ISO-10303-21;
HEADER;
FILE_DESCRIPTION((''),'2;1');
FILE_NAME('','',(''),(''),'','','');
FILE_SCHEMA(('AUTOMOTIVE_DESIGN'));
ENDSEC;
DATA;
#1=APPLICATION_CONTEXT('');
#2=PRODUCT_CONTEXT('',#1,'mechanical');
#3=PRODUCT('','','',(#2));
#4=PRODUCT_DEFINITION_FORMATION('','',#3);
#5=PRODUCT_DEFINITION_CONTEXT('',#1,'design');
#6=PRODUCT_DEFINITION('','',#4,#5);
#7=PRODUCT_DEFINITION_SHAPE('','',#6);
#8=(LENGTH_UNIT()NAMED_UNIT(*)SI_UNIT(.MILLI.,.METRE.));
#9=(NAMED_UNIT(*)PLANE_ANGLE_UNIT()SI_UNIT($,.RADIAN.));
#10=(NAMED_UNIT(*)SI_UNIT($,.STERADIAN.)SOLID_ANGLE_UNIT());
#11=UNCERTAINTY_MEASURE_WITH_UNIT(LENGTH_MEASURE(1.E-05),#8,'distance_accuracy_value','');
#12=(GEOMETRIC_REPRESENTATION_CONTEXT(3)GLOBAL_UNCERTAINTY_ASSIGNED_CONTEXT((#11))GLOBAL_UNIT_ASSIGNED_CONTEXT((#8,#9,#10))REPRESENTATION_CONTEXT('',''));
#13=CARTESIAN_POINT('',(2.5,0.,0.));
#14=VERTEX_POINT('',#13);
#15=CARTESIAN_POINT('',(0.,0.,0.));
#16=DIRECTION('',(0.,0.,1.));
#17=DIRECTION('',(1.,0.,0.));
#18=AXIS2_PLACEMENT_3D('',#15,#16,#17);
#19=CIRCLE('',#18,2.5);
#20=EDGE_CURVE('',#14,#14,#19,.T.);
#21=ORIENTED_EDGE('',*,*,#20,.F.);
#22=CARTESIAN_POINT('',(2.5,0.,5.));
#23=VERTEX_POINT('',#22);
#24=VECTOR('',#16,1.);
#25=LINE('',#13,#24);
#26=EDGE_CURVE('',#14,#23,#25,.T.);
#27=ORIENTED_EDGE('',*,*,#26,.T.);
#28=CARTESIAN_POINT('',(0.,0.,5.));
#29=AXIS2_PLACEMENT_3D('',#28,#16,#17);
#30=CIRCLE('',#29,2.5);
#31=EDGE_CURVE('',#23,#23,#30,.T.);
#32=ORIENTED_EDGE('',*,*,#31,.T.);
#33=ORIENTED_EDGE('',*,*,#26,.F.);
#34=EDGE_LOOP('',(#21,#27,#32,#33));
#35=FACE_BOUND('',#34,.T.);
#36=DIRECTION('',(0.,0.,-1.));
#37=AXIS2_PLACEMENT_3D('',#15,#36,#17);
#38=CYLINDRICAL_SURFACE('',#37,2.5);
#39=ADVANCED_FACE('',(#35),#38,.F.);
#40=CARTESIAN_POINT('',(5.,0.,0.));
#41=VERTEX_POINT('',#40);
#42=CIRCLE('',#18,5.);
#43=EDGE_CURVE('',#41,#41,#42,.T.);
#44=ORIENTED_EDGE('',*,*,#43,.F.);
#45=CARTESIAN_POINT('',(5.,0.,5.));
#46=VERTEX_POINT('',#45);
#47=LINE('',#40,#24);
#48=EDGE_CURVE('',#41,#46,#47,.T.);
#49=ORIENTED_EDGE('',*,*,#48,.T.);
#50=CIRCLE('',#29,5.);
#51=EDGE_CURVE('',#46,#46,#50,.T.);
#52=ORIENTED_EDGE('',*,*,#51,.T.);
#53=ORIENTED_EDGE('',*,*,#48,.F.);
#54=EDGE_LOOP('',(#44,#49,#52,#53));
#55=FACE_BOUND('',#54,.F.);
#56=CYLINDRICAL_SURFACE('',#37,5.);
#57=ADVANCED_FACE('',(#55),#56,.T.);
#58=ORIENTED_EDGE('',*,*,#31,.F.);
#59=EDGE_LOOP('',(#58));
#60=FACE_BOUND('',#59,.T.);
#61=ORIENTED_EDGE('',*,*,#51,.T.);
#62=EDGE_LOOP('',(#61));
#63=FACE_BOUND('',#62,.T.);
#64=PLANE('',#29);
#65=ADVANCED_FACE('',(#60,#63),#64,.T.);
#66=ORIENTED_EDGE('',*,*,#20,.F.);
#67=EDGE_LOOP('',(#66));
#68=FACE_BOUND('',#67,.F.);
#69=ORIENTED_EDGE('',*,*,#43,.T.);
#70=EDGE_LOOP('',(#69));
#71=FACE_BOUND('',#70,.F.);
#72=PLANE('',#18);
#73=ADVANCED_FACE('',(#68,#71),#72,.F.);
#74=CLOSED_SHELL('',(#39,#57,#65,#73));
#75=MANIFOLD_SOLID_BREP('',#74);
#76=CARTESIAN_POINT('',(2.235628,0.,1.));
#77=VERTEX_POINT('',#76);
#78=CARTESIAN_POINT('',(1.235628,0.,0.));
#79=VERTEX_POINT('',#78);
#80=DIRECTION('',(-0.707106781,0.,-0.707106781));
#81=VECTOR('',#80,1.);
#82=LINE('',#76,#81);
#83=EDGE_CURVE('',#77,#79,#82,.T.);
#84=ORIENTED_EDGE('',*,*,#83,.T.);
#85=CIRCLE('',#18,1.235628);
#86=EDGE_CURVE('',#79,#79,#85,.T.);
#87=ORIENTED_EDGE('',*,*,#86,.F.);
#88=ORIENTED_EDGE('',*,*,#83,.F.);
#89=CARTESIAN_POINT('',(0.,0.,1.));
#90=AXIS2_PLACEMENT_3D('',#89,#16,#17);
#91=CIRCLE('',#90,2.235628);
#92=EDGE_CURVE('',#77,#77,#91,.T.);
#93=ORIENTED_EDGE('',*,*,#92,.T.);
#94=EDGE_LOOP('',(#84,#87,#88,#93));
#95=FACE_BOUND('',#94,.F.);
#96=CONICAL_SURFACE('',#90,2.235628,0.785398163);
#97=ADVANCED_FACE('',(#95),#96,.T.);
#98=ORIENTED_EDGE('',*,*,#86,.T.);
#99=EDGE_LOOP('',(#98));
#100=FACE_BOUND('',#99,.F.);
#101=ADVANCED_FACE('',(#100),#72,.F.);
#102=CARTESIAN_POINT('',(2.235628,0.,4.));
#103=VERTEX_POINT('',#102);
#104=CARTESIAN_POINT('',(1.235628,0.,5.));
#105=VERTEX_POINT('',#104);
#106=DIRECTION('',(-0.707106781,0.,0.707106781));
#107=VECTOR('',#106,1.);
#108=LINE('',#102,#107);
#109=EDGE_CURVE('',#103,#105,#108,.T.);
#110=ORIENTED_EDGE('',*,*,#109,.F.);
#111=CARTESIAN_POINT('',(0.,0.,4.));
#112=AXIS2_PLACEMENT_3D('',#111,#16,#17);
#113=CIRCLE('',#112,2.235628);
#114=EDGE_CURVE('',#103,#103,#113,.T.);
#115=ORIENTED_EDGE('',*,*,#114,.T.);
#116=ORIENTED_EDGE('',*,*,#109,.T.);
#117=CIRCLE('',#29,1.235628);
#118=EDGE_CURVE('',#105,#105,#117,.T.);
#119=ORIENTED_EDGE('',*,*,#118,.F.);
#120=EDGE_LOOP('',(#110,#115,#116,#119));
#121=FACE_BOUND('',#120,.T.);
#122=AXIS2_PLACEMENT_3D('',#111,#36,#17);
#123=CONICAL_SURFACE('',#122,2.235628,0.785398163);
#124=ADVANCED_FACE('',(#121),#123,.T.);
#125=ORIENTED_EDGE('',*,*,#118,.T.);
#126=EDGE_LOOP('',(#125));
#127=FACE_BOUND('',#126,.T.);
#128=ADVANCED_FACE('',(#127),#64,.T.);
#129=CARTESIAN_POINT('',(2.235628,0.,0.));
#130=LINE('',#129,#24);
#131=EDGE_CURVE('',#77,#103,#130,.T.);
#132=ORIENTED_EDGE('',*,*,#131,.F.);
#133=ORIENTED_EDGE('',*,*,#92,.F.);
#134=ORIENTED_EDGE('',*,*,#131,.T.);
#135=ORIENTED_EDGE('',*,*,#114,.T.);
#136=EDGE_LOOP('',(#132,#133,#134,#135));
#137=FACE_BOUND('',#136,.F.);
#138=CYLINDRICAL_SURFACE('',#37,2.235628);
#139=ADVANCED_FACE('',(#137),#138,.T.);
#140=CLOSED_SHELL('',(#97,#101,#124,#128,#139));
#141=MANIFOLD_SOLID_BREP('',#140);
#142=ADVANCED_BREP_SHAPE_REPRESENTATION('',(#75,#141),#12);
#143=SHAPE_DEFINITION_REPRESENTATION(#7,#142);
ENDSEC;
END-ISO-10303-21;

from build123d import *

# Parameters (mm, degrees)
F0_R     = 5
F0_R_2   = 2.5
F1_DEPTH = 5
F2_R     = 2.235628
F3_DEPTH = 5
F4_SIZE  = 1


with BuildPart() as f1:
    # F0 (on Top) → F1 (new body)
    with BuildSketch(Plane.XY):
        Circle(F0_R)
        Circle(F0_R_2, mode=Mode.SUBTRACT)
    extrude(amount=F1_DEPTH)


with BuildPart() as f3:
    # F2 (on Top) → F3 (new body)
    with BuildSketch(Plane.XY):
        Circle(F2_R)
    extrude(amount=F3_DEPTH)

    # F4
    f4_edges = [f3.edges().sort_by_distance(p)[0] for p in [
        (-2.235628, 0, 0),
        (-2.235628, 0, 5),
    ]]
    chamfer(f4_edges, length=F4_SIZE)


solid = Compound([f1.part, f3.part])
